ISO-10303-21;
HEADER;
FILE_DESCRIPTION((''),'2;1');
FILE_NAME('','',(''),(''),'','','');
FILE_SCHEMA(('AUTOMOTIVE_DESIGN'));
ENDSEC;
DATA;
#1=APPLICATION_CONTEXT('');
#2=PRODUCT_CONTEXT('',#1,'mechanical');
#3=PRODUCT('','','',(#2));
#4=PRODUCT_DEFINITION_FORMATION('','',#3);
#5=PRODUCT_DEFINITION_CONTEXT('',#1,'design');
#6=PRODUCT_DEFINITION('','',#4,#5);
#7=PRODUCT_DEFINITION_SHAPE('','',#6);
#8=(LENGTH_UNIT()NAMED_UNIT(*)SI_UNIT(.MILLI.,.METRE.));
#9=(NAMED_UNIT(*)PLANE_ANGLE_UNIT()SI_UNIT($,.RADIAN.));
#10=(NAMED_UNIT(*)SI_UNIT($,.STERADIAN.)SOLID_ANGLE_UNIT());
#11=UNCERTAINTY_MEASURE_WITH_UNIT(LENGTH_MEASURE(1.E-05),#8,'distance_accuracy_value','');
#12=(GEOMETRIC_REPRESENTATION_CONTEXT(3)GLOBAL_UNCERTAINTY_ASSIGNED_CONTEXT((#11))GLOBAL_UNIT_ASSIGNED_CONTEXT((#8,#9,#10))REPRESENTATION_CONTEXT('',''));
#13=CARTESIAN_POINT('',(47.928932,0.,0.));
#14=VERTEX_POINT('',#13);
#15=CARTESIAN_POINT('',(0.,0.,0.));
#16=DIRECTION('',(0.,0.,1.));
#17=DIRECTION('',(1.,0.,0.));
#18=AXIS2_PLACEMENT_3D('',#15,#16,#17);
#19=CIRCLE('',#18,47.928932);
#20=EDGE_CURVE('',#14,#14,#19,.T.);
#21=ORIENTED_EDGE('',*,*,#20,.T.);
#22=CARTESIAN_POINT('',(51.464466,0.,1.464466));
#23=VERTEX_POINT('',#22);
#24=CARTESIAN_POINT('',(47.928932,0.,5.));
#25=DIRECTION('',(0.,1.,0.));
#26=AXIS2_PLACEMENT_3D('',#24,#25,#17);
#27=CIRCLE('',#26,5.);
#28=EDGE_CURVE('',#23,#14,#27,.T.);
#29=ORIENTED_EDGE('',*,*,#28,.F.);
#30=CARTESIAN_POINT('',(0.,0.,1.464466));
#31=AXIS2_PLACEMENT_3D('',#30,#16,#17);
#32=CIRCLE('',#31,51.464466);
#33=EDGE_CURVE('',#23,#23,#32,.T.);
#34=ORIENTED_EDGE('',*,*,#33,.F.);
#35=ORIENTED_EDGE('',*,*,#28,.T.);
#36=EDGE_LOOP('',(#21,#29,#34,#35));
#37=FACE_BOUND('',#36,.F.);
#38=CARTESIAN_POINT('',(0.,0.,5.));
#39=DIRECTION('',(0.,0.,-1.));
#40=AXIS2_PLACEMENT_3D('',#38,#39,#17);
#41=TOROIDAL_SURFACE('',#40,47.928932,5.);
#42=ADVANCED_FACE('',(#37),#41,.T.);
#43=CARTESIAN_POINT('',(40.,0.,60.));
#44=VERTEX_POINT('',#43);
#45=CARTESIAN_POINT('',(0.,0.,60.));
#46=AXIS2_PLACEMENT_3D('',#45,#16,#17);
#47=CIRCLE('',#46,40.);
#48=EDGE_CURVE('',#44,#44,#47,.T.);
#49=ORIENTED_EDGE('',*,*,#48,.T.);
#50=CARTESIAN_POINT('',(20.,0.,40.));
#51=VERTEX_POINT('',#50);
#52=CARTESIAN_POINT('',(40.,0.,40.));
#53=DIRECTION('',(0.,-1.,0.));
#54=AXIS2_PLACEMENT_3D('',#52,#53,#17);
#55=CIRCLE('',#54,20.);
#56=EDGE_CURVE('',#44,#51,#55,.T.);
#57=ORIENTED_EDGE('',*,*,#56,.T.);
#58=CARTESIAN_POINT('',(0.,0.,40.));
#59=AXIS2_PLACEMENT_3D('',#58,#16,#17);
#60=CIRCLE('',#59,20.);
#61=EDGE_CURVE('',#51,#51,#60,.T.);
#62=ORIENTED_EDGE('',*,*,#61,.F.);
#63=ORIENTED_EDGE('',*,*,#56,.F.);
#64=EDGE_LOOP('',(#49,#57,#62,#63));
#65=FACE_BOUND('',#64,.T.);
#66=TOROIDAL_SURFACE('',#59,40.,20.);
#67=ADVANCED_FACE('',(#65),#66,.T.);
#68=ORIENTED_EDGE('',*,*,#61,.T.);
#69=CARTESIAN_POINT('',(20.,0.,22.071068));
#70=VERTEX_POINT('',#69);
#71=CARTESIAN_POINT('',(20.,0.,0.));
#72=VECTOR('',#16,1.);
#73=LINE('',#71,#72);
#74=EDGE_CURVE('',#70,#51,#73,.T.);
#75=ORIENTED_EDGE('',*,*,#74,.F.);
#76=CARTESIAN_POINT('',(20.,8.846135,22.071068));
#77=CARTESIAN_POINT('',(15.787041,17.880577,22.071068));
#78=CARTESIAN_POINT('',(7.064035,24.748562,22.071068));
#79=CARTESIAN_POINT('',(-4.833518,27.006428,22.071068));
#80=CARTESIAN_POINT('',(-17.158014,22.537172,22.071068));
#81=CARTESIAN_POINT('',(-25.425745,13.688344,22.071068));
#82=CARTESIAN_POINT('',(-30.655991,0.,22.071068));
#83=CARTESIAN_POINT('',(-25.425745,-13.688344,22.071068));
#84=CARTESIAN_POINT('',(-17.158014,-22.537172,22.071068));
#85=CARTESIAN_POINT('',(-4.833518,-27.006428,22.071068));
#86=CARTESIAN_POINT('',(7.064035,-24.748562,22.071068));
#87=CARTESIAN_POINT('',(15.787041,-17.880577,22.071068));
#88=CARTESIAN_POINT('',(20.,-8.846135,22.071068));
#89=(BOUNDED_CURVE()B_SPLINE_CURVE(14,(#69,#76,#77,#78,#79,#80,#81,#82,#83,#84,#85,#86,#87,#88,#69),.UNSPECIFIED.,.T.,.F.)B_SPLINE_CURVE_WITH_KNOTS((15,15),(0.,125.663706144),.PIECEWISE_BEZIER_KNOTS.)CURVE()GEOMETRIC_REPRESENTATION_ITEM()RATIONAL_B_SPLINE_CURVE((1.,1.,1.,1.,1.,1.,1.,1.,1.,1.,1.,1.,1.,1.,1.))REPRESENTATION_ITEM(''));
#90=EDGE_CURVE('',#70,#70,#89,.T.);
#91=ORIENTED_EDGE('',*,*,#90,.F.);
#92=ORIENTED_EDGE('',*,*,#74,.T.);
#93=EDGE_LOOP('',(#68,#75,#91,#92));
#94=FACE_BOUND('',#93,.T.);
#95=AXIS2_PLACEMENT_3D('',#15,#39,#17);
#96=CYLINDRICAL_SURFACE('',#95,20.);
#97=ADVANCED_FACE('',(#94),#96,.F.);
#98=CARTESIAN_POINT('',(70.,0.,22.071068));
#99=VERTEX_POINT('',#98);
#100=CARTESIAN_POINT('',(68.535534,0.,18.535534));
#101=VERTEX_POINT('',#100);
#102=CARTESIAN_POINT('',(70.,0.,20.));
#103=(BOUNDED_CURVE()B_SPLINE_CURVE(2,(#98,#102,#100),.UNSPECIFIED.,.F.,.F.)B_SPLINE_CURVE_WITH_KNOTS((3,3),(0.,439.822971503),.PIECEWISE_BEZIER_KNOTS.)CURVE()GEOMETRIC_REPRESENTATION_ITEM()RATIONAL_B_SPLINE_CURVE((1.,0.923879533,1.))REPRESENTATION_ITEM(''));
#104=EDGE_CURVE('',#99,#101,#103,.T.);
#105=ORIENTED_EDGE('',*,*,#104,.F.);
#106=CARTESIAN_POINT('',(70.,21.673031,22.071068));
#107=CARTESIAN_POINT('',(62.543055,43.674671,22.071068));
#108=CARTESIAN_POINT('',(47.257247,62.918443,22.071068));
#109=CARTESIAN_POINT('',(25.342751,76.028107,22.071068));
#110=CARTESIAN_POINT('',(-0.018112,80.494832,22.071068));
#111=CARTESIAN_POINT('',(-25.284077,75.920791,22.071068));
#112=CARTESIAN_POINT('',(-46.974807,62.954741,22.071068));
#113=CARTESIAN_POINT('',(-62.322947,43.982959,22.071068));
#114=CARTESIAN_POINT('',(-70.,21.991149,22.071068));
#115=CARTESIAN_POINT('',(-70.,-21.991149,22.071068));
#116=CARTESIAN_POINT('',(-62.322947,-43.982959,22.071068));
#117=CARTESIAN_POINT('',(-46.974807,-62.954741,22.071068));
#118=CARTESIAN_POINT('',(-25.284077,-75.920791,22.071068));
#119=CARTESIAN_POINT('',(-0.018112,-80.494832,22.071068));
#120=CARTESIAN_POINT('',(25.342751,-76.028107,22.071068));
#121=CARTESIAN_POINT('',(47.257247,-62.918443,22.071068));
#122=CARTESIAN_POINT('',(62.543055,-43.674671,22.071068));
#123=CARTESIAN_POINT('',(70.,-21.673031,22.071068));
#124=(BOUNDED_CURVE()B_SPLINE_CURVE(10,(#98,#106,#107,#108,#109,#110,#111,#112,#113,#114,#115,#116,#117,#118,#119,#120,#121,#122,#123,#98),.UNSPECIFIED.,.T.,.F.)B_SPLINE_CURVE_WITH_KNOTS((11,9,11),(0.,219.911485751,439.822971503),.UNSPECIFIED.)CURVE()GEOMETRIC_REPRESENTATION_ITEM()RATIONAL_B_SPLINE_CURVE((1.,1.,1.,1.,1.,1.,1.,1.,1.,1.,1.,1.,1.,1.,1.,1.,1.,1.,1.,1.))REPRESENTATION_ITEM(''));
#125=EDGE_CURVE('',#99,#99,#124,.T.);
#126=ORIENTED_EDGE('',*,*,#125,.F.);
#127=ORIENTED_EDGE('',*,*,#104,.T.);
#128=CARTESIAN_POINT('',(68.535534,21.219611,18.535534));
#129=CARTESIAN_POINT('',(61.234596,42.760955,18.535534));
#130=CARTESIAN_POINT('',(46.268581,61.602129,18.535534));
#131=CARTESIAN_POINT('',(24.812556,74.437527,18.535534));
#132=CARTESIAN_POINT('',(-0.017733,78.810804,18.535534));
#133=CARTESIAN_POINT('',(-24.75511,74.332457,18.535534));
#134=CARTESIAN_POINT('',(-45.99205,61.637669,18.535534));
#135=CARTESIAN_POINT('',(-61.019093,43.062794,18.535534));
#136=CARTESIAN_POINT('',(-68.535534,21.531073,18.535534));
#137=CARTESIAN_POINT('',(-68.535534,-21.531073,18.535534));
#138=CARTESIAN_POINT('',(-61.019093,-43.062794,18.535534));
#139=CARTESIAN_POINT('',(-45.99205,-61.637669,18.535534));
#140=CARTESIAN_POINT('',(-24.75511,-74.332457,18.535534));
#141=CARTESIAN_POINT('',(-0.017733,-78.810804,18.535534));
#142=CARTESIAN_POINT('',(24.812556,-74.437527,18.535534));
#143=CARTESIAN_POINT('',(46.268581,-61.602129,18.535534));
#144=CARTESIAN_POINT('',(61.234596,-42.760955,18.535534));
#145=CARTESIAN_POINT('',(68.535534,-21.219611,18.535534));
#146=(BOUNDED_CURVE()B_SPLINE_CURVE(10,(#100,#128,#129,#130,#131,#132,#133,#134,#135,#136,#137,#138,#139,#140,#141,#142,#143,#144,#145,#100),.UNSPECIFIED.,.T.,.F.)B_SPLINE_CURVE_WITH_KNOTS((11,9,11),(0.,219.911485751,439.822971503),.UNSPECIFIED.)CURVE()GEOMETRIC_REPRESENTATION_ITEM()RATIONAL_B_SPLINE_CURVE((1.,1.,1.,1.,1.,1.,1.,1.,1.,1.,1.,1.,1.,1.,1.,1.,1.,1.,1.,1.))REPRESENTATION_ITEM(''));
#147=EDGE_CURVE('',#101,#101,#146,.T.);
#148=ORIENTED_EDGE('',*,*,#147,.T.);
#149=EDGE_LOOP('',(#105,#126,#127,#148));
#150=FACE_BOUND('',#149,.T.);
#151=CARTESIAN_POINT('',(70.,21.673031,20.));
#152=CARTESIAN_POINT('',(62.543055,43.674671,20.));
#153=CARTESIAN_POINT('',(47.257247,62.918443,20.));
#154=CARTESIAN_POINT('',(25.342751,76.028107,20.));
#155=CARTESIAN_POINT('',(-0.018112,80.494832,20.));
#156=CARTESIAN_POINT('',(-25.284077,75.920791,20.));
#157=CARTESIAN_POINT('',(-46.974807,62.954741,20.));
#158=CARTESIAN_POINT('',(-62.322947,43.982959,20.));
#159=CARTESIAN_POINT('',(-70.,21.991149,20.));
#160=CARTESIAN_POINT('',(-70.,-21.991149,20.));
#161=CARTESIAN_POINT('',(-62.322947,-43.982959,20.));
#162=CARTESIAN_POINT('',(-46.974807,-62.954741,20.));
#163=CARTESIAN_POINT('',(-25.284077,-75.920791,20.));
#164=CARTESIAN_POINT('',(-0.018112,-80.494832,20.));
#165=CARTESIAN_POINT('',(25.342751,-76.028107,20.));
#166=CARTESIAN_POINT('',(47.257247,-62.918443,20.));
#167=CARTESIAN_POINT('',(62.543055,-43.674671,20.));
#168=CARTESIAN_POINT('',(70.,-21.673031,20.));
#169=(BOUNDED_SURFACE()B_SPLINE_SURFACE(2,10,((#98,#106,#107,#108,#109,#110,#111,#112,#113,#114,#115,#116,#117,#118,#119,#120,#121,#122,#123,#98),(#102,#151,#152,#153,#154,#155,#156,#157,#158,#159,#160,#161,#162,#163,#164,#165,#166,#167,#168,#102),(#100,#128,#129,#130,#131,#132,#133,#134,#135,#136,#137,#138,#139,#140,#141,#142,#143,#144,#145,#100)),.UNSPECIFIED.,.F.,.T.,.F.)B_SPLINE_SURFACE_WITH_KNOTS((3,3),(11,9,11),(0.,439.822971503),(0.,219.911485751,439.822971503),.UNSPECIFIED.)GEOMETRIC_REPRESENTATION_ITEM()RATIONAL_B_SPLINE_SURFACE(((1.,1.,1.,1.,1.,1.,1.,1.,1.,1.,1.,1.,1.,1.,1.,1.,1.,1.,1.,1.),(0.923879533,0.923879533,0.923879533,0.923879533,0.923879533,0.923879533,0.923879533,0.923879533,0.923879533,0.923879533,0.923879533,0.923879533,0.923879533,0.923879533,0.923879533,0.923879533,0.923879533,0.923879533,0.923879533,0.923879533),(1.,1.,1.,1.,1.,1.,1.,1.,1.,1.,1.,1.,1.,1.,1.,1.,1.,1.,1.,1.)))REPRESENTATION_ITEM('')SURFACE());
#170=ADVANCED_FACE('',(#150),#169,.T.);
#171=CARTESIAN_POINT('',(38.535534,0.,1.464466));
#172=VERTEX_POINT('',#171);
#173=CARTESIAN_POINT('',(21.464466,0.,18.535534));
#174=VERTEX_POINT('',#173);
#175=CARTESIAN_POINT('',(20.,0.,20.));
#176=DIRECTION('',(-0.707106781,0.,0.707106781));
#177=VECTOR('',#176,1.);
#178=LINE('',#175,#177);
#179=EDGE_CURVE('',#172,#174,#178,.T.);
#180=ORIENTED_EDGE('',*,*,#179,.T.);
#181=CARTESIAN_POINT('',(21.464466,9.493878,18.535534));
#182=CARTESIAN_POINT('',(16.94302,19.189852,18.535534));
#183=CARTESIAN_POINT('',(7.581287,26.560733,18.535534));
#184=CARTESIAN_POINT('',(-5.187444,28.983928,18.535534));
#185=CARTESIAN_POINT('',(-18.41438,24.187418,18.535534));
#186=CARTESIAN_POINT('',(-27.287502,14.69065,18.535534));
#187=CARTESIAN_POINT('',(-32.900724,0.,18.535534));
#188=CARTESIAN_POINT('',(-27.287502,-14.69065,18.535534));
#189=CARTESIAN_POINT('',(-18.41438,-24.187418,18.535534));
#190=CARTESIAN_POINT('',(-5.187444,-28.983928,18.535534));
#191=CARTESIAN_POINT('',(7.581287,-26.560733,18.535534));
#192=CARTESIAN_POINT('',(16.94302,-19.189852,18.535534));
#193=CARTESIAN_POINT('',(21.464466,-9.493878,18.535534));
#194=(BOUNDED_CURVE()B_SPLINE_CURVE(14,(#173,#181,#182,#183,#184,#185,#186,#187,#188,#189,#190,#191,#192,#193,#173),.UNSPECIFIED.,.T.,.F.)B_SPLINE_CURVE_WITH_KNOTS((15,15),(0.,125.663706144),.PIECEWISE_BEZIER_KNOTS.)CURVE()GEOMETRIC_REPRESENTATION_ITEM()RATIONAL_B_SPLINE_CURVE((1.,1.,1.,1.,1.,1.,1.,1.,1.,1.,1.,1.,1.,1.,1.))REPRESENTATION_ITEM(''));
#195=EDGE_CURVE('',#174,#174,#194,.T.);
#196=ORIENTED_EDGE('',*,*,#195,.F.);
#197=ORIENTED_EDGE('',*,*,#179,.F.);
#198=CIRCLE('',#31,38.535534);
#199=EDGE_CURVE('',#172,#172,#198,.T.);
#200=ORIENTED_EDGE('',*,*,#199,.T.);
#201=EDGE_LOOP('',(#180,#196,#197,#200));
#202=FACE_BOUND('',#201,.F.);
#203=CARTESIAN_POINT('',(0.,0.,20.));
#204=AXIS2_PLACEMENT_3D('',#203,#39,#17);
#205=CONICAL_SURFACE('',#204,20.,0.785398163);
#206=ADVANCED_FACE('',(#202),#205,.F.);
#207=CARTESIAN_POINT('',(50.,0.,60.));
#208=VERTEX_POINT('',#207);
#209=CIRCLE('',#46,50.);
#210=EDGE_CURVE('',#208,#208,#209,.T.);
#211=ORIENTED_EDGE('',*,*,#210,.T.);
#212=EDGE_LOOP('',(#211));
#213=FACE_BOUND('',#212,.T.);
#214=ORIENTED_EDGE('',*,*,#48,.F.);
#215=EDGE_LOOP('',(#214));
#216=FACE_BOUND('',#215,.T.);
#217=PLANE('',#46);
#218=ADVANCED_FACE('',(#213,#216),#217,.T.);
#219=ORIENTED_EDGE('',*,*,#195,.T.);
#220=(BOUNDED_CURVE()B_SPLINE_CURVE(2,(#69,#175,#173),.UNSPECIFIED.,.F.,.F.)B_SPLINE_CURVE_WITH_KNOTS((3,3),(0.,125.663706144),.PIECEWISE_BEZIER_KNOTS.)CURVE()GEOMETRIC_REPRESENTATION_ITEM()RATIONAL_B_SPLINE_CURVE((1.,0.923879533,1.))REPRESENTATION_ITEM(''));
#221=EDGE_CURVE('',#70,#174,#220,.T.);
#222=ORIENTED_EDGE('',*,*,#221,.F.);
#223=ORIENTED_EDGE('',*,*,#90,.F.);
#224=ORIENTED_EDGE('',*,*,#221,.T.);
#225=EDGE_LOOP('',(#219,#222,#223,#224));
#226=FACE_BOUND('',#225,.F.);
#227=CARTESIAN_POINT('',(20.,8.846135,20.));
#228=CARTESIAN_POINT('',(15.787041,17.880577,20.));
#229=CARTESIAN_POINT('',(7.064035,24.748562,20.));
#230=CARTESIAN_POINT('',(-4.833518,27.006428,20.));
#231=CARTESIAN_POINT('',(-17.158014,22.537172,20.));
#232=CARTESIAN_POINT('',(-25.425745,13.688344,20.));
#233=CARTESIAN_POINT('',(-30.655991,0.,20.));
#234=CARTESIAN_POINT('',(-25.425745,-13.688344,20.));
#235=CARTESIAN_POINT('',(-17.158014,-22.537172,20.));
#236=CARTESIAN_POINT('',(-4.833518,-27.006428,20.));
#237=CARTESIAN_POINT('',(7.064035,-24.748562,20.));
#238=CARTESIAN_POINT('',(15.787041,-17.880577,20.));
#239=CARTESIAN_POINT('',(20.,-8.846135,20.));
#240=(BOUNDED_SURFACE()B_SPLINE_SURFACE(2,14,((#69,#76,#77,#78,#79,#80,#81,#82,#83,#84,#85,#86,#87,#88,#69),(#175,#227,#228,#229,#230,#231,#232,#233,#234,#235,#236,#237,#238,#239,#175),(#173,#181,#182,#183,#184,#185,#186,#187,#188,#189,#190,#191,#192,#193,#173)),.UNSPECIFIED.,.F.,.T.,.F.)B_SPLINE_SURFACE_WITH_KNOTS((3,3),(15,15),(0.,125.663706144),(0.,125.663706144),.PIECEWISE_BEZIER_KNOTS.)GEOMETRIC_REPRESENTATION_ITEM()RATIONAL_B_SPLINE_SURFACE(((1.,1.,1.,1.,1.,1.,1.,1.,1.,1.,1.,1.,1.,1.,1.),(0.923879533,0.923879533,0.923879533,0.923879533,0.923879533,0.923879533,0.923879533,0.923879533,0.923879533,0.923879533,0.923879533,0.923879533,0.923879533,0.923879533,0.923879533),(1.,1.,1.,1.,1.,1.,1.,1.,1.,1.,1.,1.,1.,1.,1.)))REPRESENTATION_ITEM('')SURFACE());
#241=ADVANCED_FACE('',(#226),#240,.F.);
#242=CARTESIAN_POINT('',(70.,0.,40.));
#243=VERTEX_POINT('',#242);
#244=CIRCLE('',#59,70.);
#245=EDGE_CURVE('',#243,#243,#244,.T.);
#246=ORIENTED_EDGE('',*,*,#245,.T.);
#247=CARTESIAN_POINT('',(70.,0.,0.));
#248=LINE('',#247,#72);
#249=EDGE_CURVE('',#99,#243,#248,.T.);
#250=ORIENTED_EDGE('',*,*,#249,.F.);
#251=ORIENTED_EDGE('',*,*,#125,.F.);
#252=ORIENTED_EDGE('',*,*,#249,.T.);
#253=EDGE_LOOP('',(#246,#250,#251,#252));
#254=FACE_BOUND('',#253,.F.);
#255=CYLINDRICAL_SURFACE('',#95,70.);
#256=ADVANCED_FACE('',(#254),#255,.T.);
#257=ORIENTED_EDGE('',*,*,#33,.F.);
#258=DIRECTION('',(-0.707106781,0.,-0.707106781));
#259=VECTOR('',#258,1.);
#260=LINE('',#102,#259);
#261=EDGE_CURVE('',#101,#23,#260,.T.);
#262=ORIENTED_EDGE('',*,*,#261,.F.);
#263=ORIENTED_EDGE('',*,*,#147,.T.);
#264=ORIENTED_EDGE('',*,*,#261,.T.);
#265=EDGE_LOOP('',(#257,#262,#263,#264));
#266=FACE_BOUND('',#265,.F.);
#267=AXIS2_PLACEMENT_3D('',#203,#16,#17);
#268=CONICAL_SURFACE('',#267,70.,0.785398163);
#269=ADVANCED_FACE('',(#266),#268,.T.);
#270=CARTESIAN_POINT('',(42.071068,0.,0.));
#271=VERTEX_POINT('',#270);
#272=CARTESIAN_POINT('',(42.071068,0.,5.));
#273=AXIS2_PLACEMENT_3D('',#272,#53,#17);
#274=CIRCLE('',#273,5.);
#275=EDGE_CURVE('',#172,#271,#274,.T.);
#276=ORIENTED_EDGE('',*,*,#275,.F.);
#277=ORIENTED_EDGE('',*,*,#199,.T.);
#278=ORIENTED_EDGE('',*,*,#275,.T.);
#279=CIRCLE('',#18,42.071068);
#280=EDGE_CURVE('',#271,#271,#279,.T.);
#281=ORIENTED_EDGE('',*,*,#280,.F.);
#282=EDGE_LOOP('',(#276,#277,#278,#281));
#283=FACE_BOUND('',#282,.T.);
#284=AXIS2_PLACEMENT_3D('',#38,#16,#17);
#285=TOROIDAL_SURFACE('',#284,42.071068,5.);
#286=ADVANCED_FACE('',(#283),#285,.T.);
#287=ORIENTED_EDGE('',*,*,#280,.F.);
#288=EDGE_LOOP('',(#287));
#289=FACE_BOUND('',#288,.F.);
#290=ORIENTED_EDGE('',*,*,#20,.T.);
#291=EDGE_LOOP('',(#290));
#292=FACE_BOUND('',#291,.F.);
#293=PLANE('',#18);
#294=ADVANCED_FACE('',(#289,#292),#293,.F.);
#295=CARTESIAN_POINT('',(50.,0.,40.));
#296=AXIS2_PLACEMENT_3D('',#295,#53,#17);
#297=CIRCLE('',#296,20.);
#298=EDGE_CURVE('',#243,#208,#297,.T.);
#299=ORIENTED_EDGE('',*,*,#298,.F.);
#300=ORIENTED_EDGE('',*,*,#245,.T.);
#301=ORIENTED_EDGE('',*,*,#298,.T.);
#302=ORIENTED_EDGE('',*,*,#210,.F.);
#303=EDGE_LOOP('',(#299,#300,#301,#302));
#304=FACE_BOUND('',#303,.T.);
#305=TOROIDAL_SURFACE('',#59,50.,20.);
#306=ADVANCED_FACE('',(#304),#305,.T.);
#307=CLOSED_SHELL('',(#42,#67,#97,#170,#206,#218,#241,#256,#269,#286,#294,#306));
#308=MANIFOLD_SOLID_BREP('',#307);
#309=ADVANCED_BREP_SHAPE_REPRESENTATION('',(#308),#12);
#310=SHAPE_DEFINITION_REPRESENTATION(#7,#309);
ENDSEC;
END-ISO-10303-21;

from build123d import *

# Parameters (mm, degrees)
F0_R     = 70
F0_R_2   = 20
F1_DEPTH = 60
F2_R     = 20
F3_SIZE  = 20
F4_R     = 20
F5_R     = 5


with BuildPart() as f1:
    # F0 (on Top) → F1 (new body)
    with BuildSketch(Plane.XY):
        Circle(F0_R)
        Circle(F0_R_2, mode=Mode.SUBTRACT)
    extrude(amount=F1_DEPTH)

    # F2
    f2_edges = [f1.edges().sort_by_distance(p)[0] for p in [
        (-70, 0, 60),
    ]]
    fillet(f2_edges, radius=F2_R)

    # F3
    f3_edges = [f1.edges().sort_by_distance(p)[0] for p in [
        (-70, 0, 0),
        (-20, 0, 0),
    ]]
    chamfer(f3_edges, length=F3_SIZE)

    # F4
    f4_edges = [f1.edges().sort_by_distance(p)[0] for p in [
        (-20, 0, 60),
    ]]
    fillet(f4_edges, radius=F4_R)

    # F5
    f5_edges = [f1.edges().sort_by_distance(p)[0] for p in [
        (-70, 0, 20),
        (-50, 0, 0),
        (-40, 0, 0),
        (-20, 0, 20),
    ]]
    fillet(f5_edges, radius=F5_R)


solid = f1.part
